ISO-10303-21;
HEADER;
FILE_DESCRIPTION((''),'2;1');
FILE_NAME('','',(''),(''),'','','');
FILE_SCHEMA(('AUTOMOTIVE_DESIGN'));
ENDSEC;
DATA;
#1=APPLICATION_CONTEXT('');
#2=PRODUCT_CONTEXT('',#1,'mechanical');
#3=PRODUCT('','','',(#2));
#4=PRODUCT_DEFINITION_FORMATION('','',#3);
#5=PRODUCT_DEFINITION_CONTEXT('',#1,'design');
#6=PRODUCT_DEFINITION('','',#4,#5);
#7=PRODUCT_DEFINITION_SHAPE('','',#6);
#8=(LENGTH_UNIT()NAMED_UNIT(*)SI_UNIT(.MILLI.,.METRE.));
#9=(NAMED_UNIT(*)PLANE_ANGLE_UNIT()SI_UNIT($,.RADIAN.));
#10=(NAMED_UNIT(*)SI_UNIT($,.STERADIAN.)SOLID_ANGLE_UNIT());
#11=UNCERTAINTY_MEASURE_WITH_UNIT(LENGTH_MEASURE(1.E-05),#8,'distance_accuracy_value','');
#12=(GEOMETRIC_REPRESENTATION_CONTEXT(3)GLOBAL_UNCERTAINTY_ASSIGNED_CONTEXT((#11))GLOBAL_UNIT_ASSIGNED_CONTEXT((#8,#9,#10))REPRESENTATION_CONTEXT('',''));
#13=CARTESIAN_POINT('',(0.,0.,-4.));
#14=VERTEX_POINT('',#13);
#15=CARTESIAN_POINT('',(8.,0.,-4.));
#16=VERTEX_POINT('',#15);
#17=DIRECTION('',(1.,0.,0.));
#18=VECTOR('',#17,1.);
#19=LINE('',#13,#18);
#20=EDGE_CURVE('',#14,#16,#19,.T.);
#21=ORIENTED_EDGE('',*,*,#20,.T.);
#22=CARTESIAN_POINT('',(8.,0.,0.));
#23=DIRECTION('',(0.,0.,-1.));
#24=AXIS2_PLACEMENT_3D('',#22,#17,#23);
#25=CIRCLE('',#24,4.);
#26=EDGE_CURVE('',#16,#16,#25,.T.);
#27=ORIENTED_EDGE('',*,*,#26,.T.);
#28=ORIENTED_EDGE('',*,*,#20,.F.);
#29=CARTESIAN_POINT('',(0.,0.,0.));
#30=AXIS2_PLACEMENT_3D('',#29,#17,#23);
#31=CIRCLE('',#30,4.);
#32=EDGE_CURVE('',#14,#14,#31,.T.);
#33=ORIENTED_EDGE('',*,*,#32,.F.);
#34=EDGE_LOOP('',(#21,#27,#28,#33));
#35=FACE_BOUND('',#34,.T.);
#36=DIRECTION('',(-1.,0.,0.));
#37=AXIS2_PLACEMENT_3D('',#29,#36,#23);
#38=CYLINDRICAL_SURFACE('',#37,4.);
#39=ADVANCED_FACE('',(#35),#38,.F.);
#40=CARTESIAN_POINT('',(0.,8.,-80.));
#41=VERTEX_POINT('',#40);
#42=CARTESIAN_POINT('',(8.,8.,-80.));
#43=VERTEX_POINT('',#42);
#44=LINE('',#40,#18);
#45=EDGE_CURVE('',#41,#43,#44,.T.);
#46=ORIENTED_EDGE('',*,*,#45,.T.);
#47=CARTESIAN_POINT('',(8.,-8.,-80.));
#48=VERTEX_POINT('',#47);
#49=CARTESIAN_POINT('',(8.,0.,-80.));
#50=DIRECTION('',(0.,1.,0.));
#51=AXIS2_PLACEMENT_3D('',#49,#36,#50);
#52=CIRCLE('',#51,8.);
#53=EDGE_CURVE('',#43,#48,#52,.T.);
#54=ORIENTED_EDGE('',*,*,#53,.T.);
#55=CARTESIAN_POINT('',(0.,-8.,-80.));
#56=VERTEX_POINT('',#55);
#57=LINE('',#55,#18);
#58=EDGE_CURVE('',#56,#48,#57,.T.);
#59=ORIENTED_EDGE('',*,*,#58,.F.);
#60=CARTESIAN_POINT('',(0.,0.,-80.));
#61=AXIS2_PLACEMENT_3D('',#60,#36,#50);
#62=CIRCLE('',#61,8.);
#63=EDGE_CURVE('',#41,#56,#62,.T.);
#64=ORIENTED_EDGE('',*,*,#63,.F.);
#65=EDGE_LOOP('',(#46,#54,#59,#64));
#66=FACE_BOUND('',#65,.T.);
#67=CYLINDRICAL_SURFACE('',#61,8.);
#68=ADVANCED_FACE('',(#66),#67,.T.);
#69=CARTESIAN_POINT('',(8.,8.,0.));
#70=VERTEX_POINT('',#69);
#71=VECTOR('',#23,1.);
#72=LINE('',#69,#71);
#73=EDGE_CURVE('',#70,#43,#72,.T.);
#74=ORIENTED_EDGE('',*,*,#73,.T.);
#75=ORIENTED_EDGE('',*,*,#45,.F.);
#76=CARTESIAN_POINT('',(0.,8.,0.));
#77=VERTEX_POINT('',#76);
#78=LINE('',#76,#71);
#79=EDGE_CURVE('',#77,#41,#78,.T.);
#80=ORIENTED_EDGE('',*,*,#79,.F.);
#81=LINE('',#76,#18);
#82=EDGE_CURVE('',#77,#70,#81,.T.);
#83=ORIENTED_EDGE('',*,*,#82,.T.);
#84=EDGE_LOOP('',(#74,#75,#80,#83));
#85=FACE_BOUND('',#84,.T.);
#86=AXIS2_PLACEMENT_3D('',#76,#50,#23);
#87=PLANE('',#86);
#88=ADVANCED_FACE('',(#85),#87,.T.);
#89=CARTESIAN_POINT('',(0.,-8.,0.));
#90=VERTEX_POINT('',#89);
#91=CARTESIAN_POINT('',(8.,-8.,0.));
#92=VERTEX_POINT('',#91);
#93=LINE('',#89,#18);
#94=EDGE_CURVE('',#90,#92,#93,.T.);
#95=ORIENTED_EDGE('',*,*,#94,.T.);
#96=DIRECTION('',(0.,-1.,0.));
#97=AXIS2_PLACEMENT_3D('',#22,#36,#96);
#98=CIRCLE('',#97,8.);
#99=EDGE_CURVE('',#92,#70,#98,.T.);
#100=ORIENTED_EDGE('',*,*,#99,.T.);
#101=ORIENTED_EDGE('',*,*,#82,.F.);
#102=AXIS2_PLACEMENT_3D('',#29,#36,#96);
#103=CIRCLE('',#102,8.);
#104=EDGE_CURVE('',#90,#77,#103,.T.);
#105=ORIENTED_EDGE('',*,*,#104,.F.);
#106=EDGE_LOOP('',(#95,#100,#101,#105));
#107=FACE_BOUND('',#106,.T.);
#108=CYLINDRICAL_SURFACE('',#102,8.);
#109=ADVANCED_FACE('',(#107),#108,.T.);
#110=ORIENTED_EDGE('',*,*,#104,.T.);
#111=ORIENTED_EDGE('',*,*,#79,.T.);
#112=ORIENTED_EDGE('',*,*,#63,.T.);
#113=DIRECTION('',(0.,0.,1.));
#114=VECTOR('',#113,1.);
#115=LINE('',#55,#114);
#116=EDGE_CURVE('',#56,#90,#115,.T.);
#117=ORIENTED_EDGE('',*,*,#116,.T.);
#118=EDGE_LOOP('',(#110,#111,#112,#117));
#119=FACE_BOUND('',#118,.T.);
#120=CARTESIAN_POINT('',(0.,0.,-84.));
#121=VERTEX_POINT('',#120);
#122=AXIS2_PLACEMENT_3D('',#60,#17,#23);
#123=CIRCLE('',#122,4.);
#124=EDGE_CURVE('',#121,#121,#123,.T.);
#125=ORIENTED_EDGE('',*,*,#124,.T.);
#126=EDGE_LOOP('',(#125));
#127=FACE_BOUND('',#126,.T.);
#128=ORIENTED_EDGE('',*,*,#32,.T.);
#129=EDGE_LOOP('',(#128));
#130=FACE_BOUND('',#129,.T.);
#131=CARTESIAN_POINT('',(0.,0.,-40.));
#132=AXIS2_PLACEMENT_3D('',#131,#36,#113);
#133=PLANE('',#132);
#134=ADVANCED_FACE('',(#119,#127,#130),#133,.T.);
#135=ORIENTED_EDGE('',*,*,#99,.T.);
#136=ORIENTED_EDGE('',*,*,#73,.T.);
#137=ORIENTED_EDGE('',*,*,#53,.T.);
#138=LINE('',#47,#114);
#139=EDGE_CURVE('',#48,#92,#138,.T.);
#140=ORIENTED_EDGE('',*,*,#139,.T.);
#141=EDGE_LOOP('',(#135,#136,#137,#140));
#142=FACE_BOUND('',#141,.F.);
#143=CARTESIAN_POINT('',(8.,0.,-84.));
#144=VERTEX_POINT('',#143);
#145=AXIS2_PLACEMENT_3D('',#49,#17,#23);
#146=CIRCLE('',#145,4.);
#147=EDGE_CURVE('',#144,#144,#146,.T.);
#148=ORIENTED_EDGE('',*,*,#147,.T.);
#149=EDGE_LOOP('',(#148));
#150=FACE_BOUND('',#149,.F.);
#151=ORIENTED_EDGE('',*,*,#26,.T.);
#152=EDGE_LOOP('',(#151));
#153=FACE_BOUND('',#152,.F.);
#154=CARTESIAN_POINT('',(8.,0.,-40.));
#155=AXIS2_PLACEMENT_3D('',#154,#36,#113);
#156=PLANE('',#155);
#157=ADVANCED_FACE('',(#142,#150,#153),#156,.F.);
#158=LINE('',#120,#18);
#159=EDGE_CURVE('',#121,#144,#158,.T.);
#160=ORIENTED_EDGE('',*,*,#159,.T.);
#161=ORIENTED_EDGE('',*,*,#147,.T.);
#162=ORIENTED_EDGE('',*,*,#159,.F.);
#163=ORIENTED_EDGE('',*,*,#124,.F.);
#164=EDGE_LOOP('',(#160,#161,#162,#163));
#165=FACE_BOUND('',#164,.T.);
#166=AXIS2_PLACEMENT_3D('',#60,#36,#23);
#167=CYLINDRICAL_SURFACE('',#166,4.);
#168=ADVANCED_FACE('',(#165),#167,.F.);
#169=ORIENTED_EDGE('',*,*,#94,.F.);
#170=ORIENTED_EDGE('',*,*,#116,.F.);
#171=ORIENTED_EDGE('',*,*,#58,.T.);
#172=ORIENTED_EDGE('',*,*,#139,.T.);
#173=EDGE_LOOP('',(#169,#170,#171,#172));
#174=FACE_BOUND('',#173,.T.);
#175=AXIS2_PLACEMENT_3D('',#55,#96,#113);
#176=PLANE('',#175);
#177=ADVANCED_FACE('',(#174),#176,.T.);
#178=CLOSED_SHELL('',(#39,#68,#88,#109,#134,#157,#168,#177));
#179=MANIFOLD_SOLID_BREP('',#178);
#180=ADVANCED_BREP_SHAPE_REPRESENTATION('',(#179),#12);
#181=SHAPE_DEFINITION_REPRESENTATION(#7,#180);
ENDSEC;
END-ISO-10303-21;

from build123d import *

# Parameters (mm, degrees)
SKETCH_1_R      = 4
EXTRUDE_1_DEPTH = 8


with BuildPart() as part:
    # 草图1 → 凸台-拉伸1 (new body)
    with BuildSketch(Plane(origin=(0, 0, 0), x_dir=(0, 0, -1), z_dir=(1, 0, 0))):
        with BuildLine():
            Line((0, 8), (80, 8))
            ThreePointArc((80, 8), (88, 0), (80, -8))
            Line((80, -8), (0, -8))
            ThreePointArc((0, -8), (-8, 0), (0, 8))
        make_face()
        Circle(SKETCH_1_R, mode=Mode.SUBTRACT)
        with Locations((80, 0)):
            Circle(SKETCH_1_R, mode=Mode.SUBTRACT)
    extrude(amount=EXTRUDE_1_DEPTH)


solid = part.part
